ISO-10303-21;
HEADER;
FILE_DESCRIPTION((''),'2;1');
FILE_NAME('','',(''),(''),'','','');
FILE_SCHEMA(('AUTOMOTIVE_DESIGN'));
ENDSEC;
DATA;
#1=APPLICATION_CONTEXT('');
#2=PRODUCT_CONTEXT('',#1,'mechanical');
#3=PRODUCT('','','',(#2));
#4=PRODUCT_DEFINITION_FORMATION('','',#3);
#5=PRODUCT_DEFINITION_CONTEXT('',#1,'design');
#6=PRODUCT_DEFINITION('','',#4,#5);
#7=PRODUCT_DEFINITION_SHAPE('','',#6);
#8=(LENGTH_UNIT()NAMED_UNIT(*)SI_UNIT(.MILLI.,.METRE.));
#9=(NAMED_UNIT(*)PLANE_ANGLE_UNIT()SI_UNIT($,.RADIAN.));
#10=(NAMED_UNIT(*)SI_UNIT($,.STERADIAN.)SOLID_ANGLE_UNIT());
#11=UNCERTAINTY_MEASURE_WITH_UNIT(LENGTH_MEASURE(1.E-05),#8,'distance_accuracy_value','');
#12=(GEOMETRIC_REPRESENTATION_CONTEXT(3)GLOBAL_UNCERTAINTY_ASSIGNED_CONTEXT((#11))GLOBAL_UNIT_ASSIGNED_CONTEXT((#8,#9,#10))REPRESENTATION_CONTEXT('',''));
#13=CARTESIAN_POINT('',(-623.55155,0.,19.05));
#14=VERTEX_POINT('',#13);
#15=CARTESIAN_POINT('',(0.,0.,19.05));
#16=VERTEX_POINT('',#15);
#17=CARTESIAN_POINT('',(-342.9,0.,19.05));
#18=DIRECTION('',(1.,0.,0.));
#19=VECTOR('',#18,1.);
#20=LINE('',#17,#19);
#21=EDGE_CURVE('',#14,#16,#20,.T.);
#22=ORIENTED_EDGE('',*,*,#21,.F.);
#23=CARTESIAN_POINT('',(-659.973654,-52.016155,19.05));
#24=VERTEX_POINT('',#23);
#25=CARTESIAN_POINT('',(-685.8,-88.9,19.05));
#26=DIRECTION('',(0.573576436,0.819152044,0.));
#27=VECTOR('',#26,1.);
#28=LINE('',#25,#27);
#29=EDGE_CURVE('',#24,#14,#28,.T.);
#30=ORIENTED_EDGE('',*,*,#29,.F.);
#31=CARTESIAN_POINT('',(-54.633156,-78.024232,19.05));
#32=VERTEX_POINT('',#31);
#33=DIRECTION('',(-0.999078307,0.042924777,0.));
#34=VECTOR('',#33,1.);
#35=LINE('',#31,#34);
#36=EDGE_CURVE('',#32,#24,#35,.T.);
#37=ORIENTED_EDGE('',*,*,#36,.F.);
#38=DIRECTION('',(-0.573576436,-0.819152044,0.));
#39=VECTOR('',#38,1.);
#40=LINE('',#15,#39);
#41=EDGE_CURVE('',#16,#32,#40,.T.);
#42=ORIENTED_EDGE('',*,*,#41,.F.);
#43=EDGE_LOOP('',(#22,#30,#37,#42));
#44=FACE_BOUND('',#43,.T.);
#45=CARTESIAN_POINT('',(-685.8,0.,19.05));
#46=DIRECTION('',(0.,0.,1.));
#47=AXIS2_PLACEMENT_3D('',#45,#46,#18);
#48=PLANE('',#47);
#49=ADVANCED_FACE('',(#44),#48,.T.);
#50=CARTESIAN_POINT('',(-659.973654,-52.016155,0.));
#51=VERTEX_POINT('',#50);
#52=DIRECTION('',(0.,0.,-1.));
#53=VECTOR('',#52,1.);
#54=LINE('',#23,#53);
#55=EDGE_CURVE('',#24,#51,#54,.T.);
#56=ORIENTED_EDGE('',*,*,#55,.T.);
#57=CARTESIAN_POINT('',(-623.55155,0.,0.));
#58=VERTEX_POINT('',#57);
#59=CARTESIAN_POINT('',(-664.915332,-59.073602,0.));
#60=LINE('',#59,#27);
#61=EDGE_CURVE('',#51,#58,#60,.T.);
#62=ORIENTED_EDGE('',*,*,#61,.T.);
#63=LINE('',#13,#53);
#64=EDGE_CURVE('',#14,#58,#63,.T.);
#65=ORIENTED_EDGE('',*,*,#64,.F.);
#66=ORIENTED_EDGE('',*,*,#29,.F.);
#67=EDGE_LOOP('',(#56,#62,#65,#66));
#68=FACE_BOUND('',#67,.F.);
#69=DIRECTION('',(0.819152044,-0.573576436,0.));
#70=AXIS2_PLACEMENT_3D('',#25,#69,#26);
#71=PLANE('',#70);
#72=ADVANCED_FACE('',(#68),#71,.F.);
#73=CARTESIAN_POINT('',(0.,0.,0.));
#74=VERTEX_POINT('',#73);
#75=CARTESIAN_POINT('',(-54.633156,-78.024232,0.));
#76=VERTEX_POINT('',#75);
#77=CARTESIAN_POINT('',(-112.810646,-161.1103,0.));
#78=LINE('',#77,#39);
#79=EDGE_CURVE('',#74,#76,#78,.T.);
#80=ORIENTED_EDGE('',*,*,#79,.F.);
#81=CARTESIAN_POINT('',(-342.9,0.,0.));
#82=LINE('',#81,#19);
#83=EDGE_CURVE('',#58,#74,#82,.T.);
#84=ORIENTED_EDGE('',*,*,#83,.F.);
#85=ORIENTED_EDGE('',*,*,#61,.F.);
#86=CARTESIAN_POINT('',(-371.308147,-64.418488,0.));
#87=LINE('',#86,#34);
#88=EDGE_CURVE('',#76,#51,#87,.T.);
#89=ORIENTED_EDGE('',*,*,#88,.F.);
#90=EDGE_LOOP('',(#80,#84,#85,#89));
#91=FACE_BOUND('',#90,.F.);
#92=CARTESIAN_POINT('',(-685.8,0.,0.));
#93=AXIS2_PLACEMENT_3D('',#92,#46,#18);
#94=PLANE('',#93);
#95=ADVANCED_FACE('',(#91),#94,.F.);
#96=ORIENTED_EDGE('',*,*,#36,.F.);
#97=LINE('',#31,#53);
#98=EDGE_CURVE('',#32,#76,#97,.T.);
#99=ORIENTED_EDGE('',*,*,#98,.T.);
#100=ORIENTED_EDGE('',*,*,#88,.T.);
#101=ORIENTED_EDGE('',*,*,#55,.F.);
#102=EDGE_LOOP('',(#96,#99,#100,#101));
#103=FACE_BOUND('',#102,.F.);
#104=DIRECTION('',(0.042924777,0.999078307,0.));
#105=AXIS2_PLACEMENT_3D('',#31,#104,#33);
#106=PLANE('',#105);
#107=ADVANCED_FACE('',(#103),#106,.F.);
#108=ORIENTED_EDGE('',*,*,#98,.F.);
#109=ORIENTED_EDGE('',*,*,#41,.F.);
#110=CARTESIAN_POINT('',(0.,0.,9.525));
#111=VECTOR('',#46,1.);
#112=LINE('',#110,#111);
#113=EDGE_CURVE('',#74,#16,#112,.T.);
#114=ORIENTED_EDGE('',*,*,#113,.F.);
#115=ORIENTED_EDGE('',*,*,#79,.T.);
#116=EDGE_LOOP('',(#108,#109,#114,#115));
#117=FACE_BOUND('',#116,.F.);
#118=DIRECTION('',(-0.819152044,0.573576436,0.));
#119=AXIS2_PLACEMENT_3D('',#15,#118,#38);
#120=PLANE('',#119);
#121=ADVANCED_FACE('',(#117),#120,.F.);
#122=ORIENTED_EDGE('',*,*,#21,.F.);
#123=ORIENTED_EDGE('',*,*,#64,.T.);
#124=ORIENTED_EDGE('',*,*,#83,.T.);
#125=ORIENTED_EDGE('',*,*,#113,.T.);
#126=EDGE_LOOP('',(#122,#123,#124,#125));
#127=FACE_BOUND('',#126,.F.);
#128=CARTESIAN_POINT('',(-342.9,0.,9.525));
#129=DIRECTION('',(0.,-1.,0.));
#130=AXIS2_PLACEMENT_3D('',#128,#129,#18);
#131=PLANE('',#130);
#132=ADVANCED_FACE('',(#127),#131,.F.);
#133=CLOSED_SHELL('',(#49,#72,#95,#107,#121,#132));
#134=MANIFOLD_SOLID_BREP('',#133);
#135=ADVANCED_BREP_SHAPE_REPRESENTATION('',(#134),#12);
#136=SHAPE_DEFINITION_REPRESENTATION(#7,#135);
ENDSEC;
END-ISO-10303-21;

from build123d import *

# Parameters (mm, degrees)
F0_W     = 685.8
F0_H     = 19.05
F1_DEPTH = 88.9
F3_DEPTH = 127
F5_DEPTH = 127
F7_DEPTH = 25.4


with BuildPart() as f1:
    # F0 (on Front) → F1 (new body)
    with BuildSketch(Plane.XZ):
        with Locations((-342.9, 9.525)):
            Rectangle(F0_W, F0_H)
    extrude(amount=F1_DEPTH)

    # F2 (on face) → F3 (cut)
    with BuildSketch(Plane.XY.offset(19.05)):
        Polygon((0, -88.9), (0, 0), (-62.2484501468, -88.9), align=None)
    extrude(amount=-F3_DEPTH, mode=Mode.SUBTRACT)

    # F4 (on face) → F5 (cut)
    with BuildSketch(Plane.XY.offset(19.05)):
        Polygon((-685.8, 0), (-685.8, -88.9), (-623.5515498532, 0), align=None)
    extrude(amount=-F5_DEPTH, mode=Mode.SUBTRACT)

    # F6 (on face) → F7 (cut)
    with BuildSketch(Plane.XY.offset(19.05)):
        Polygon((-685.8, -88.9), (-62.2484501468, -88.9), (-54.6331555624, -78.0242322185), (-659.9736535614, -52.0161548124), align=None)
    extrude(amount=-F7_DEPTH, mode=Mode.SUBTRACT)


solid = f1.part
